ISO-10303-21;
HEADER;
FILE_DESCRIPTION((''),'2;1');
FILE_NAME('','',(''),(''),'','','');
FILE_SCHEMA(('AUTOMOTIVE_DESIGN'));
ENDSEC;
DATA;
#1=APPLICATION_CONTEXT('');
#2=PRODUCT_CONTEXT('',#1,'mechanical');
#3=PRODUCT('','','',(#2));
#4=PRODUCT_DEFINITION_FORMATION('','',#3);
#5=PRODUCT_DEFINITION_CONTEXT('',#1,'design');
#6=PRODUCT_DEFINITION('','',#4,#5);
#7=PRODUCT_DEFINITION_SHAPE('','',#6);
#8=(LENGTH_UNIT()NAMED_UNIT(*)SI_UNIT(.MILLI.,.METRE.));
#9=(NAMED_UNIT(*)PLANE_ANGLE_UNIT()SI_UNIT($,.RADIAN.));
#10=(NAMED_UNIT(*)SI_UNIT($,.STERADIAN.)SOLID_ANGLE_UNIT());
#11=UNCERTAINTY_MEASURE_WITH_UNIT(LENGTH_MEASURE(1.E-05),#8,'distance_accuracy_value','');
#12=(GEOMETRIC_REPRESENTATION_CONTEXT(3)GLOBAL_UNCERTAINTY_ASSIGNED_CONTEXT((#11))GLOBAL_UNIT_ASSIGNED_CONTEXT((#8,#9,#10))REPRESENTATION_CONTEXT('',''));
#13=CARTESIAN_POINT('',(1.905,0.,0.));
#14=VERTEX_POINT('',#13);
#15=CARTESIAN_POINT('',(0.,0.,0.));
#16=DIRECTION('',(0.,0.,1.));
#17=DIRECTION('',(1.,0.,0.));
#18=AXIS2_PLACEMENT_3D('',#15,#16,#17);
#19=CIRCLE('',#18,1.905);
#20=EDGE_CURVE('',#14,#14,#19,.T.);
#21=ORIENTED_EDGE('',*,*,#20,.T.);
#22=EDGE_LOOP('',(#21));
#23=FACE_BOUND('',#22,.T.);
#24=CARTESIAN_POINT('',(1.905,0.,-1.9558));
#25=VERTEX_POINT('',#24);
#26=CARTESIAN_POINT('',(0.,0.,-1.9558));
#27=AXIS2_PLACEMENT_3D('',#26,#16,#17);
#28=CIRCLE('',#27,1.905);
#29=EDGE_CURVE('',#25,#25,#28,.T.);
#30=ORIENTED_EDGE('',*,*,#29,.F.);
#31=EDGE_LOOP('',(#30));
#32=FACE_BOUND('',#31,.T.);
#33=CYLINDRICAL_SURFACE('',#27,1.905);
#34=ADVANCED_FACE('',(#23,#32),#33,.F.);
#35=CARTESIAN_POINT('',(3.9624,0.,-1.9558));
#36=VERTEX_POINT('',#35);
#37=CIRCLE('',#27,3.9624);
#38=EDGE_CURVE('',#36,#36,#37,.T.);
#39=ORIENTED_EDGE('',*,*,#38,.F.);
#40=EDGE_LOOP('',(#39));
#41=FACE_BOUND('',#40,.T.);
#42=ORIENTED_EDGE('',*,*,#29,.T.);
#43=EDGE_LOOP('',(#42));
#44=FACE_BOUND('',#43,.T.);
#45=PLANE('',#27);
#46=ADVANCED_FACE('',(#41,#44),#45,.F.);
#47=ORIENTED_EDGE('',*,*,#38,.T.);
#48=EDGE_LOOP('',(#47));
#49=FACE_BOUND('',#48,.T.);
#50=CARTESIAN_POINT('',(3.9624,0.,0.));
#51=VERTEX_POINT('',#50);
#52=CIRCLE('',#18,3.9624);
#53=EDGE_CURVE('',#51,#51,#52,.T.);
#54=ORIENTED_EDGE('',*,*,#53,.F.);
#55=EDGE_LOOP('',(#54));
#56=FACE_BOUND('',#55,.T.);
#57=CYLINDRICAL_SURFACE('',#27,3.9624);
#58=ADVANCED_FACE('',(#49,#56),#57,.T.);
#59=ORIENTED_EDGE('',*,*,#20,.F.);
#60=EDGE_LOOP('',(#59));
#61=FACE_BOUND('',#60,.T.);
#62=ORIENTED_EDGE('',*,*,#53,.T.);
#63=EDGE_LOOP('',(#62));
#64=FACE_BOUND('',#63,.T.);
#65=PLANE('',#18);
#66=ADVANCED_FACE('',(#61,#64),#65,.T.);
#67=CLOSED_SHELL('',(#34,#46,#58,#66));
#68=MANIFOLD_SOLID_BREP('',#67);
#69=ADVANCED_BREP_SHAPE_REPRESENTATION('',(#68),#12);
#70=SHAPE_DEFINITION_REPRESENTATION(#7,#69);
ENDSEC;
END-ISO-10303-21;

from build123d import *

# Parameters (mm, degrees)
SKETCH1_R      = 3.9624
SKETCH1_R_2    = 1.905
EXTRUDE1_DEPTH = 1.9558


with BuildPart() as part:
    # Sketch1 → Extrude1 (new body)
    with BuildSketch(Plane.XY):
        Circle(SKETCH1_R)
        Circle(SKETCH1_R_2, mode=Mode.SUBTRACT)
    extrude(amount=-EXTRUDE1_DEPTH)


solid = part.part
